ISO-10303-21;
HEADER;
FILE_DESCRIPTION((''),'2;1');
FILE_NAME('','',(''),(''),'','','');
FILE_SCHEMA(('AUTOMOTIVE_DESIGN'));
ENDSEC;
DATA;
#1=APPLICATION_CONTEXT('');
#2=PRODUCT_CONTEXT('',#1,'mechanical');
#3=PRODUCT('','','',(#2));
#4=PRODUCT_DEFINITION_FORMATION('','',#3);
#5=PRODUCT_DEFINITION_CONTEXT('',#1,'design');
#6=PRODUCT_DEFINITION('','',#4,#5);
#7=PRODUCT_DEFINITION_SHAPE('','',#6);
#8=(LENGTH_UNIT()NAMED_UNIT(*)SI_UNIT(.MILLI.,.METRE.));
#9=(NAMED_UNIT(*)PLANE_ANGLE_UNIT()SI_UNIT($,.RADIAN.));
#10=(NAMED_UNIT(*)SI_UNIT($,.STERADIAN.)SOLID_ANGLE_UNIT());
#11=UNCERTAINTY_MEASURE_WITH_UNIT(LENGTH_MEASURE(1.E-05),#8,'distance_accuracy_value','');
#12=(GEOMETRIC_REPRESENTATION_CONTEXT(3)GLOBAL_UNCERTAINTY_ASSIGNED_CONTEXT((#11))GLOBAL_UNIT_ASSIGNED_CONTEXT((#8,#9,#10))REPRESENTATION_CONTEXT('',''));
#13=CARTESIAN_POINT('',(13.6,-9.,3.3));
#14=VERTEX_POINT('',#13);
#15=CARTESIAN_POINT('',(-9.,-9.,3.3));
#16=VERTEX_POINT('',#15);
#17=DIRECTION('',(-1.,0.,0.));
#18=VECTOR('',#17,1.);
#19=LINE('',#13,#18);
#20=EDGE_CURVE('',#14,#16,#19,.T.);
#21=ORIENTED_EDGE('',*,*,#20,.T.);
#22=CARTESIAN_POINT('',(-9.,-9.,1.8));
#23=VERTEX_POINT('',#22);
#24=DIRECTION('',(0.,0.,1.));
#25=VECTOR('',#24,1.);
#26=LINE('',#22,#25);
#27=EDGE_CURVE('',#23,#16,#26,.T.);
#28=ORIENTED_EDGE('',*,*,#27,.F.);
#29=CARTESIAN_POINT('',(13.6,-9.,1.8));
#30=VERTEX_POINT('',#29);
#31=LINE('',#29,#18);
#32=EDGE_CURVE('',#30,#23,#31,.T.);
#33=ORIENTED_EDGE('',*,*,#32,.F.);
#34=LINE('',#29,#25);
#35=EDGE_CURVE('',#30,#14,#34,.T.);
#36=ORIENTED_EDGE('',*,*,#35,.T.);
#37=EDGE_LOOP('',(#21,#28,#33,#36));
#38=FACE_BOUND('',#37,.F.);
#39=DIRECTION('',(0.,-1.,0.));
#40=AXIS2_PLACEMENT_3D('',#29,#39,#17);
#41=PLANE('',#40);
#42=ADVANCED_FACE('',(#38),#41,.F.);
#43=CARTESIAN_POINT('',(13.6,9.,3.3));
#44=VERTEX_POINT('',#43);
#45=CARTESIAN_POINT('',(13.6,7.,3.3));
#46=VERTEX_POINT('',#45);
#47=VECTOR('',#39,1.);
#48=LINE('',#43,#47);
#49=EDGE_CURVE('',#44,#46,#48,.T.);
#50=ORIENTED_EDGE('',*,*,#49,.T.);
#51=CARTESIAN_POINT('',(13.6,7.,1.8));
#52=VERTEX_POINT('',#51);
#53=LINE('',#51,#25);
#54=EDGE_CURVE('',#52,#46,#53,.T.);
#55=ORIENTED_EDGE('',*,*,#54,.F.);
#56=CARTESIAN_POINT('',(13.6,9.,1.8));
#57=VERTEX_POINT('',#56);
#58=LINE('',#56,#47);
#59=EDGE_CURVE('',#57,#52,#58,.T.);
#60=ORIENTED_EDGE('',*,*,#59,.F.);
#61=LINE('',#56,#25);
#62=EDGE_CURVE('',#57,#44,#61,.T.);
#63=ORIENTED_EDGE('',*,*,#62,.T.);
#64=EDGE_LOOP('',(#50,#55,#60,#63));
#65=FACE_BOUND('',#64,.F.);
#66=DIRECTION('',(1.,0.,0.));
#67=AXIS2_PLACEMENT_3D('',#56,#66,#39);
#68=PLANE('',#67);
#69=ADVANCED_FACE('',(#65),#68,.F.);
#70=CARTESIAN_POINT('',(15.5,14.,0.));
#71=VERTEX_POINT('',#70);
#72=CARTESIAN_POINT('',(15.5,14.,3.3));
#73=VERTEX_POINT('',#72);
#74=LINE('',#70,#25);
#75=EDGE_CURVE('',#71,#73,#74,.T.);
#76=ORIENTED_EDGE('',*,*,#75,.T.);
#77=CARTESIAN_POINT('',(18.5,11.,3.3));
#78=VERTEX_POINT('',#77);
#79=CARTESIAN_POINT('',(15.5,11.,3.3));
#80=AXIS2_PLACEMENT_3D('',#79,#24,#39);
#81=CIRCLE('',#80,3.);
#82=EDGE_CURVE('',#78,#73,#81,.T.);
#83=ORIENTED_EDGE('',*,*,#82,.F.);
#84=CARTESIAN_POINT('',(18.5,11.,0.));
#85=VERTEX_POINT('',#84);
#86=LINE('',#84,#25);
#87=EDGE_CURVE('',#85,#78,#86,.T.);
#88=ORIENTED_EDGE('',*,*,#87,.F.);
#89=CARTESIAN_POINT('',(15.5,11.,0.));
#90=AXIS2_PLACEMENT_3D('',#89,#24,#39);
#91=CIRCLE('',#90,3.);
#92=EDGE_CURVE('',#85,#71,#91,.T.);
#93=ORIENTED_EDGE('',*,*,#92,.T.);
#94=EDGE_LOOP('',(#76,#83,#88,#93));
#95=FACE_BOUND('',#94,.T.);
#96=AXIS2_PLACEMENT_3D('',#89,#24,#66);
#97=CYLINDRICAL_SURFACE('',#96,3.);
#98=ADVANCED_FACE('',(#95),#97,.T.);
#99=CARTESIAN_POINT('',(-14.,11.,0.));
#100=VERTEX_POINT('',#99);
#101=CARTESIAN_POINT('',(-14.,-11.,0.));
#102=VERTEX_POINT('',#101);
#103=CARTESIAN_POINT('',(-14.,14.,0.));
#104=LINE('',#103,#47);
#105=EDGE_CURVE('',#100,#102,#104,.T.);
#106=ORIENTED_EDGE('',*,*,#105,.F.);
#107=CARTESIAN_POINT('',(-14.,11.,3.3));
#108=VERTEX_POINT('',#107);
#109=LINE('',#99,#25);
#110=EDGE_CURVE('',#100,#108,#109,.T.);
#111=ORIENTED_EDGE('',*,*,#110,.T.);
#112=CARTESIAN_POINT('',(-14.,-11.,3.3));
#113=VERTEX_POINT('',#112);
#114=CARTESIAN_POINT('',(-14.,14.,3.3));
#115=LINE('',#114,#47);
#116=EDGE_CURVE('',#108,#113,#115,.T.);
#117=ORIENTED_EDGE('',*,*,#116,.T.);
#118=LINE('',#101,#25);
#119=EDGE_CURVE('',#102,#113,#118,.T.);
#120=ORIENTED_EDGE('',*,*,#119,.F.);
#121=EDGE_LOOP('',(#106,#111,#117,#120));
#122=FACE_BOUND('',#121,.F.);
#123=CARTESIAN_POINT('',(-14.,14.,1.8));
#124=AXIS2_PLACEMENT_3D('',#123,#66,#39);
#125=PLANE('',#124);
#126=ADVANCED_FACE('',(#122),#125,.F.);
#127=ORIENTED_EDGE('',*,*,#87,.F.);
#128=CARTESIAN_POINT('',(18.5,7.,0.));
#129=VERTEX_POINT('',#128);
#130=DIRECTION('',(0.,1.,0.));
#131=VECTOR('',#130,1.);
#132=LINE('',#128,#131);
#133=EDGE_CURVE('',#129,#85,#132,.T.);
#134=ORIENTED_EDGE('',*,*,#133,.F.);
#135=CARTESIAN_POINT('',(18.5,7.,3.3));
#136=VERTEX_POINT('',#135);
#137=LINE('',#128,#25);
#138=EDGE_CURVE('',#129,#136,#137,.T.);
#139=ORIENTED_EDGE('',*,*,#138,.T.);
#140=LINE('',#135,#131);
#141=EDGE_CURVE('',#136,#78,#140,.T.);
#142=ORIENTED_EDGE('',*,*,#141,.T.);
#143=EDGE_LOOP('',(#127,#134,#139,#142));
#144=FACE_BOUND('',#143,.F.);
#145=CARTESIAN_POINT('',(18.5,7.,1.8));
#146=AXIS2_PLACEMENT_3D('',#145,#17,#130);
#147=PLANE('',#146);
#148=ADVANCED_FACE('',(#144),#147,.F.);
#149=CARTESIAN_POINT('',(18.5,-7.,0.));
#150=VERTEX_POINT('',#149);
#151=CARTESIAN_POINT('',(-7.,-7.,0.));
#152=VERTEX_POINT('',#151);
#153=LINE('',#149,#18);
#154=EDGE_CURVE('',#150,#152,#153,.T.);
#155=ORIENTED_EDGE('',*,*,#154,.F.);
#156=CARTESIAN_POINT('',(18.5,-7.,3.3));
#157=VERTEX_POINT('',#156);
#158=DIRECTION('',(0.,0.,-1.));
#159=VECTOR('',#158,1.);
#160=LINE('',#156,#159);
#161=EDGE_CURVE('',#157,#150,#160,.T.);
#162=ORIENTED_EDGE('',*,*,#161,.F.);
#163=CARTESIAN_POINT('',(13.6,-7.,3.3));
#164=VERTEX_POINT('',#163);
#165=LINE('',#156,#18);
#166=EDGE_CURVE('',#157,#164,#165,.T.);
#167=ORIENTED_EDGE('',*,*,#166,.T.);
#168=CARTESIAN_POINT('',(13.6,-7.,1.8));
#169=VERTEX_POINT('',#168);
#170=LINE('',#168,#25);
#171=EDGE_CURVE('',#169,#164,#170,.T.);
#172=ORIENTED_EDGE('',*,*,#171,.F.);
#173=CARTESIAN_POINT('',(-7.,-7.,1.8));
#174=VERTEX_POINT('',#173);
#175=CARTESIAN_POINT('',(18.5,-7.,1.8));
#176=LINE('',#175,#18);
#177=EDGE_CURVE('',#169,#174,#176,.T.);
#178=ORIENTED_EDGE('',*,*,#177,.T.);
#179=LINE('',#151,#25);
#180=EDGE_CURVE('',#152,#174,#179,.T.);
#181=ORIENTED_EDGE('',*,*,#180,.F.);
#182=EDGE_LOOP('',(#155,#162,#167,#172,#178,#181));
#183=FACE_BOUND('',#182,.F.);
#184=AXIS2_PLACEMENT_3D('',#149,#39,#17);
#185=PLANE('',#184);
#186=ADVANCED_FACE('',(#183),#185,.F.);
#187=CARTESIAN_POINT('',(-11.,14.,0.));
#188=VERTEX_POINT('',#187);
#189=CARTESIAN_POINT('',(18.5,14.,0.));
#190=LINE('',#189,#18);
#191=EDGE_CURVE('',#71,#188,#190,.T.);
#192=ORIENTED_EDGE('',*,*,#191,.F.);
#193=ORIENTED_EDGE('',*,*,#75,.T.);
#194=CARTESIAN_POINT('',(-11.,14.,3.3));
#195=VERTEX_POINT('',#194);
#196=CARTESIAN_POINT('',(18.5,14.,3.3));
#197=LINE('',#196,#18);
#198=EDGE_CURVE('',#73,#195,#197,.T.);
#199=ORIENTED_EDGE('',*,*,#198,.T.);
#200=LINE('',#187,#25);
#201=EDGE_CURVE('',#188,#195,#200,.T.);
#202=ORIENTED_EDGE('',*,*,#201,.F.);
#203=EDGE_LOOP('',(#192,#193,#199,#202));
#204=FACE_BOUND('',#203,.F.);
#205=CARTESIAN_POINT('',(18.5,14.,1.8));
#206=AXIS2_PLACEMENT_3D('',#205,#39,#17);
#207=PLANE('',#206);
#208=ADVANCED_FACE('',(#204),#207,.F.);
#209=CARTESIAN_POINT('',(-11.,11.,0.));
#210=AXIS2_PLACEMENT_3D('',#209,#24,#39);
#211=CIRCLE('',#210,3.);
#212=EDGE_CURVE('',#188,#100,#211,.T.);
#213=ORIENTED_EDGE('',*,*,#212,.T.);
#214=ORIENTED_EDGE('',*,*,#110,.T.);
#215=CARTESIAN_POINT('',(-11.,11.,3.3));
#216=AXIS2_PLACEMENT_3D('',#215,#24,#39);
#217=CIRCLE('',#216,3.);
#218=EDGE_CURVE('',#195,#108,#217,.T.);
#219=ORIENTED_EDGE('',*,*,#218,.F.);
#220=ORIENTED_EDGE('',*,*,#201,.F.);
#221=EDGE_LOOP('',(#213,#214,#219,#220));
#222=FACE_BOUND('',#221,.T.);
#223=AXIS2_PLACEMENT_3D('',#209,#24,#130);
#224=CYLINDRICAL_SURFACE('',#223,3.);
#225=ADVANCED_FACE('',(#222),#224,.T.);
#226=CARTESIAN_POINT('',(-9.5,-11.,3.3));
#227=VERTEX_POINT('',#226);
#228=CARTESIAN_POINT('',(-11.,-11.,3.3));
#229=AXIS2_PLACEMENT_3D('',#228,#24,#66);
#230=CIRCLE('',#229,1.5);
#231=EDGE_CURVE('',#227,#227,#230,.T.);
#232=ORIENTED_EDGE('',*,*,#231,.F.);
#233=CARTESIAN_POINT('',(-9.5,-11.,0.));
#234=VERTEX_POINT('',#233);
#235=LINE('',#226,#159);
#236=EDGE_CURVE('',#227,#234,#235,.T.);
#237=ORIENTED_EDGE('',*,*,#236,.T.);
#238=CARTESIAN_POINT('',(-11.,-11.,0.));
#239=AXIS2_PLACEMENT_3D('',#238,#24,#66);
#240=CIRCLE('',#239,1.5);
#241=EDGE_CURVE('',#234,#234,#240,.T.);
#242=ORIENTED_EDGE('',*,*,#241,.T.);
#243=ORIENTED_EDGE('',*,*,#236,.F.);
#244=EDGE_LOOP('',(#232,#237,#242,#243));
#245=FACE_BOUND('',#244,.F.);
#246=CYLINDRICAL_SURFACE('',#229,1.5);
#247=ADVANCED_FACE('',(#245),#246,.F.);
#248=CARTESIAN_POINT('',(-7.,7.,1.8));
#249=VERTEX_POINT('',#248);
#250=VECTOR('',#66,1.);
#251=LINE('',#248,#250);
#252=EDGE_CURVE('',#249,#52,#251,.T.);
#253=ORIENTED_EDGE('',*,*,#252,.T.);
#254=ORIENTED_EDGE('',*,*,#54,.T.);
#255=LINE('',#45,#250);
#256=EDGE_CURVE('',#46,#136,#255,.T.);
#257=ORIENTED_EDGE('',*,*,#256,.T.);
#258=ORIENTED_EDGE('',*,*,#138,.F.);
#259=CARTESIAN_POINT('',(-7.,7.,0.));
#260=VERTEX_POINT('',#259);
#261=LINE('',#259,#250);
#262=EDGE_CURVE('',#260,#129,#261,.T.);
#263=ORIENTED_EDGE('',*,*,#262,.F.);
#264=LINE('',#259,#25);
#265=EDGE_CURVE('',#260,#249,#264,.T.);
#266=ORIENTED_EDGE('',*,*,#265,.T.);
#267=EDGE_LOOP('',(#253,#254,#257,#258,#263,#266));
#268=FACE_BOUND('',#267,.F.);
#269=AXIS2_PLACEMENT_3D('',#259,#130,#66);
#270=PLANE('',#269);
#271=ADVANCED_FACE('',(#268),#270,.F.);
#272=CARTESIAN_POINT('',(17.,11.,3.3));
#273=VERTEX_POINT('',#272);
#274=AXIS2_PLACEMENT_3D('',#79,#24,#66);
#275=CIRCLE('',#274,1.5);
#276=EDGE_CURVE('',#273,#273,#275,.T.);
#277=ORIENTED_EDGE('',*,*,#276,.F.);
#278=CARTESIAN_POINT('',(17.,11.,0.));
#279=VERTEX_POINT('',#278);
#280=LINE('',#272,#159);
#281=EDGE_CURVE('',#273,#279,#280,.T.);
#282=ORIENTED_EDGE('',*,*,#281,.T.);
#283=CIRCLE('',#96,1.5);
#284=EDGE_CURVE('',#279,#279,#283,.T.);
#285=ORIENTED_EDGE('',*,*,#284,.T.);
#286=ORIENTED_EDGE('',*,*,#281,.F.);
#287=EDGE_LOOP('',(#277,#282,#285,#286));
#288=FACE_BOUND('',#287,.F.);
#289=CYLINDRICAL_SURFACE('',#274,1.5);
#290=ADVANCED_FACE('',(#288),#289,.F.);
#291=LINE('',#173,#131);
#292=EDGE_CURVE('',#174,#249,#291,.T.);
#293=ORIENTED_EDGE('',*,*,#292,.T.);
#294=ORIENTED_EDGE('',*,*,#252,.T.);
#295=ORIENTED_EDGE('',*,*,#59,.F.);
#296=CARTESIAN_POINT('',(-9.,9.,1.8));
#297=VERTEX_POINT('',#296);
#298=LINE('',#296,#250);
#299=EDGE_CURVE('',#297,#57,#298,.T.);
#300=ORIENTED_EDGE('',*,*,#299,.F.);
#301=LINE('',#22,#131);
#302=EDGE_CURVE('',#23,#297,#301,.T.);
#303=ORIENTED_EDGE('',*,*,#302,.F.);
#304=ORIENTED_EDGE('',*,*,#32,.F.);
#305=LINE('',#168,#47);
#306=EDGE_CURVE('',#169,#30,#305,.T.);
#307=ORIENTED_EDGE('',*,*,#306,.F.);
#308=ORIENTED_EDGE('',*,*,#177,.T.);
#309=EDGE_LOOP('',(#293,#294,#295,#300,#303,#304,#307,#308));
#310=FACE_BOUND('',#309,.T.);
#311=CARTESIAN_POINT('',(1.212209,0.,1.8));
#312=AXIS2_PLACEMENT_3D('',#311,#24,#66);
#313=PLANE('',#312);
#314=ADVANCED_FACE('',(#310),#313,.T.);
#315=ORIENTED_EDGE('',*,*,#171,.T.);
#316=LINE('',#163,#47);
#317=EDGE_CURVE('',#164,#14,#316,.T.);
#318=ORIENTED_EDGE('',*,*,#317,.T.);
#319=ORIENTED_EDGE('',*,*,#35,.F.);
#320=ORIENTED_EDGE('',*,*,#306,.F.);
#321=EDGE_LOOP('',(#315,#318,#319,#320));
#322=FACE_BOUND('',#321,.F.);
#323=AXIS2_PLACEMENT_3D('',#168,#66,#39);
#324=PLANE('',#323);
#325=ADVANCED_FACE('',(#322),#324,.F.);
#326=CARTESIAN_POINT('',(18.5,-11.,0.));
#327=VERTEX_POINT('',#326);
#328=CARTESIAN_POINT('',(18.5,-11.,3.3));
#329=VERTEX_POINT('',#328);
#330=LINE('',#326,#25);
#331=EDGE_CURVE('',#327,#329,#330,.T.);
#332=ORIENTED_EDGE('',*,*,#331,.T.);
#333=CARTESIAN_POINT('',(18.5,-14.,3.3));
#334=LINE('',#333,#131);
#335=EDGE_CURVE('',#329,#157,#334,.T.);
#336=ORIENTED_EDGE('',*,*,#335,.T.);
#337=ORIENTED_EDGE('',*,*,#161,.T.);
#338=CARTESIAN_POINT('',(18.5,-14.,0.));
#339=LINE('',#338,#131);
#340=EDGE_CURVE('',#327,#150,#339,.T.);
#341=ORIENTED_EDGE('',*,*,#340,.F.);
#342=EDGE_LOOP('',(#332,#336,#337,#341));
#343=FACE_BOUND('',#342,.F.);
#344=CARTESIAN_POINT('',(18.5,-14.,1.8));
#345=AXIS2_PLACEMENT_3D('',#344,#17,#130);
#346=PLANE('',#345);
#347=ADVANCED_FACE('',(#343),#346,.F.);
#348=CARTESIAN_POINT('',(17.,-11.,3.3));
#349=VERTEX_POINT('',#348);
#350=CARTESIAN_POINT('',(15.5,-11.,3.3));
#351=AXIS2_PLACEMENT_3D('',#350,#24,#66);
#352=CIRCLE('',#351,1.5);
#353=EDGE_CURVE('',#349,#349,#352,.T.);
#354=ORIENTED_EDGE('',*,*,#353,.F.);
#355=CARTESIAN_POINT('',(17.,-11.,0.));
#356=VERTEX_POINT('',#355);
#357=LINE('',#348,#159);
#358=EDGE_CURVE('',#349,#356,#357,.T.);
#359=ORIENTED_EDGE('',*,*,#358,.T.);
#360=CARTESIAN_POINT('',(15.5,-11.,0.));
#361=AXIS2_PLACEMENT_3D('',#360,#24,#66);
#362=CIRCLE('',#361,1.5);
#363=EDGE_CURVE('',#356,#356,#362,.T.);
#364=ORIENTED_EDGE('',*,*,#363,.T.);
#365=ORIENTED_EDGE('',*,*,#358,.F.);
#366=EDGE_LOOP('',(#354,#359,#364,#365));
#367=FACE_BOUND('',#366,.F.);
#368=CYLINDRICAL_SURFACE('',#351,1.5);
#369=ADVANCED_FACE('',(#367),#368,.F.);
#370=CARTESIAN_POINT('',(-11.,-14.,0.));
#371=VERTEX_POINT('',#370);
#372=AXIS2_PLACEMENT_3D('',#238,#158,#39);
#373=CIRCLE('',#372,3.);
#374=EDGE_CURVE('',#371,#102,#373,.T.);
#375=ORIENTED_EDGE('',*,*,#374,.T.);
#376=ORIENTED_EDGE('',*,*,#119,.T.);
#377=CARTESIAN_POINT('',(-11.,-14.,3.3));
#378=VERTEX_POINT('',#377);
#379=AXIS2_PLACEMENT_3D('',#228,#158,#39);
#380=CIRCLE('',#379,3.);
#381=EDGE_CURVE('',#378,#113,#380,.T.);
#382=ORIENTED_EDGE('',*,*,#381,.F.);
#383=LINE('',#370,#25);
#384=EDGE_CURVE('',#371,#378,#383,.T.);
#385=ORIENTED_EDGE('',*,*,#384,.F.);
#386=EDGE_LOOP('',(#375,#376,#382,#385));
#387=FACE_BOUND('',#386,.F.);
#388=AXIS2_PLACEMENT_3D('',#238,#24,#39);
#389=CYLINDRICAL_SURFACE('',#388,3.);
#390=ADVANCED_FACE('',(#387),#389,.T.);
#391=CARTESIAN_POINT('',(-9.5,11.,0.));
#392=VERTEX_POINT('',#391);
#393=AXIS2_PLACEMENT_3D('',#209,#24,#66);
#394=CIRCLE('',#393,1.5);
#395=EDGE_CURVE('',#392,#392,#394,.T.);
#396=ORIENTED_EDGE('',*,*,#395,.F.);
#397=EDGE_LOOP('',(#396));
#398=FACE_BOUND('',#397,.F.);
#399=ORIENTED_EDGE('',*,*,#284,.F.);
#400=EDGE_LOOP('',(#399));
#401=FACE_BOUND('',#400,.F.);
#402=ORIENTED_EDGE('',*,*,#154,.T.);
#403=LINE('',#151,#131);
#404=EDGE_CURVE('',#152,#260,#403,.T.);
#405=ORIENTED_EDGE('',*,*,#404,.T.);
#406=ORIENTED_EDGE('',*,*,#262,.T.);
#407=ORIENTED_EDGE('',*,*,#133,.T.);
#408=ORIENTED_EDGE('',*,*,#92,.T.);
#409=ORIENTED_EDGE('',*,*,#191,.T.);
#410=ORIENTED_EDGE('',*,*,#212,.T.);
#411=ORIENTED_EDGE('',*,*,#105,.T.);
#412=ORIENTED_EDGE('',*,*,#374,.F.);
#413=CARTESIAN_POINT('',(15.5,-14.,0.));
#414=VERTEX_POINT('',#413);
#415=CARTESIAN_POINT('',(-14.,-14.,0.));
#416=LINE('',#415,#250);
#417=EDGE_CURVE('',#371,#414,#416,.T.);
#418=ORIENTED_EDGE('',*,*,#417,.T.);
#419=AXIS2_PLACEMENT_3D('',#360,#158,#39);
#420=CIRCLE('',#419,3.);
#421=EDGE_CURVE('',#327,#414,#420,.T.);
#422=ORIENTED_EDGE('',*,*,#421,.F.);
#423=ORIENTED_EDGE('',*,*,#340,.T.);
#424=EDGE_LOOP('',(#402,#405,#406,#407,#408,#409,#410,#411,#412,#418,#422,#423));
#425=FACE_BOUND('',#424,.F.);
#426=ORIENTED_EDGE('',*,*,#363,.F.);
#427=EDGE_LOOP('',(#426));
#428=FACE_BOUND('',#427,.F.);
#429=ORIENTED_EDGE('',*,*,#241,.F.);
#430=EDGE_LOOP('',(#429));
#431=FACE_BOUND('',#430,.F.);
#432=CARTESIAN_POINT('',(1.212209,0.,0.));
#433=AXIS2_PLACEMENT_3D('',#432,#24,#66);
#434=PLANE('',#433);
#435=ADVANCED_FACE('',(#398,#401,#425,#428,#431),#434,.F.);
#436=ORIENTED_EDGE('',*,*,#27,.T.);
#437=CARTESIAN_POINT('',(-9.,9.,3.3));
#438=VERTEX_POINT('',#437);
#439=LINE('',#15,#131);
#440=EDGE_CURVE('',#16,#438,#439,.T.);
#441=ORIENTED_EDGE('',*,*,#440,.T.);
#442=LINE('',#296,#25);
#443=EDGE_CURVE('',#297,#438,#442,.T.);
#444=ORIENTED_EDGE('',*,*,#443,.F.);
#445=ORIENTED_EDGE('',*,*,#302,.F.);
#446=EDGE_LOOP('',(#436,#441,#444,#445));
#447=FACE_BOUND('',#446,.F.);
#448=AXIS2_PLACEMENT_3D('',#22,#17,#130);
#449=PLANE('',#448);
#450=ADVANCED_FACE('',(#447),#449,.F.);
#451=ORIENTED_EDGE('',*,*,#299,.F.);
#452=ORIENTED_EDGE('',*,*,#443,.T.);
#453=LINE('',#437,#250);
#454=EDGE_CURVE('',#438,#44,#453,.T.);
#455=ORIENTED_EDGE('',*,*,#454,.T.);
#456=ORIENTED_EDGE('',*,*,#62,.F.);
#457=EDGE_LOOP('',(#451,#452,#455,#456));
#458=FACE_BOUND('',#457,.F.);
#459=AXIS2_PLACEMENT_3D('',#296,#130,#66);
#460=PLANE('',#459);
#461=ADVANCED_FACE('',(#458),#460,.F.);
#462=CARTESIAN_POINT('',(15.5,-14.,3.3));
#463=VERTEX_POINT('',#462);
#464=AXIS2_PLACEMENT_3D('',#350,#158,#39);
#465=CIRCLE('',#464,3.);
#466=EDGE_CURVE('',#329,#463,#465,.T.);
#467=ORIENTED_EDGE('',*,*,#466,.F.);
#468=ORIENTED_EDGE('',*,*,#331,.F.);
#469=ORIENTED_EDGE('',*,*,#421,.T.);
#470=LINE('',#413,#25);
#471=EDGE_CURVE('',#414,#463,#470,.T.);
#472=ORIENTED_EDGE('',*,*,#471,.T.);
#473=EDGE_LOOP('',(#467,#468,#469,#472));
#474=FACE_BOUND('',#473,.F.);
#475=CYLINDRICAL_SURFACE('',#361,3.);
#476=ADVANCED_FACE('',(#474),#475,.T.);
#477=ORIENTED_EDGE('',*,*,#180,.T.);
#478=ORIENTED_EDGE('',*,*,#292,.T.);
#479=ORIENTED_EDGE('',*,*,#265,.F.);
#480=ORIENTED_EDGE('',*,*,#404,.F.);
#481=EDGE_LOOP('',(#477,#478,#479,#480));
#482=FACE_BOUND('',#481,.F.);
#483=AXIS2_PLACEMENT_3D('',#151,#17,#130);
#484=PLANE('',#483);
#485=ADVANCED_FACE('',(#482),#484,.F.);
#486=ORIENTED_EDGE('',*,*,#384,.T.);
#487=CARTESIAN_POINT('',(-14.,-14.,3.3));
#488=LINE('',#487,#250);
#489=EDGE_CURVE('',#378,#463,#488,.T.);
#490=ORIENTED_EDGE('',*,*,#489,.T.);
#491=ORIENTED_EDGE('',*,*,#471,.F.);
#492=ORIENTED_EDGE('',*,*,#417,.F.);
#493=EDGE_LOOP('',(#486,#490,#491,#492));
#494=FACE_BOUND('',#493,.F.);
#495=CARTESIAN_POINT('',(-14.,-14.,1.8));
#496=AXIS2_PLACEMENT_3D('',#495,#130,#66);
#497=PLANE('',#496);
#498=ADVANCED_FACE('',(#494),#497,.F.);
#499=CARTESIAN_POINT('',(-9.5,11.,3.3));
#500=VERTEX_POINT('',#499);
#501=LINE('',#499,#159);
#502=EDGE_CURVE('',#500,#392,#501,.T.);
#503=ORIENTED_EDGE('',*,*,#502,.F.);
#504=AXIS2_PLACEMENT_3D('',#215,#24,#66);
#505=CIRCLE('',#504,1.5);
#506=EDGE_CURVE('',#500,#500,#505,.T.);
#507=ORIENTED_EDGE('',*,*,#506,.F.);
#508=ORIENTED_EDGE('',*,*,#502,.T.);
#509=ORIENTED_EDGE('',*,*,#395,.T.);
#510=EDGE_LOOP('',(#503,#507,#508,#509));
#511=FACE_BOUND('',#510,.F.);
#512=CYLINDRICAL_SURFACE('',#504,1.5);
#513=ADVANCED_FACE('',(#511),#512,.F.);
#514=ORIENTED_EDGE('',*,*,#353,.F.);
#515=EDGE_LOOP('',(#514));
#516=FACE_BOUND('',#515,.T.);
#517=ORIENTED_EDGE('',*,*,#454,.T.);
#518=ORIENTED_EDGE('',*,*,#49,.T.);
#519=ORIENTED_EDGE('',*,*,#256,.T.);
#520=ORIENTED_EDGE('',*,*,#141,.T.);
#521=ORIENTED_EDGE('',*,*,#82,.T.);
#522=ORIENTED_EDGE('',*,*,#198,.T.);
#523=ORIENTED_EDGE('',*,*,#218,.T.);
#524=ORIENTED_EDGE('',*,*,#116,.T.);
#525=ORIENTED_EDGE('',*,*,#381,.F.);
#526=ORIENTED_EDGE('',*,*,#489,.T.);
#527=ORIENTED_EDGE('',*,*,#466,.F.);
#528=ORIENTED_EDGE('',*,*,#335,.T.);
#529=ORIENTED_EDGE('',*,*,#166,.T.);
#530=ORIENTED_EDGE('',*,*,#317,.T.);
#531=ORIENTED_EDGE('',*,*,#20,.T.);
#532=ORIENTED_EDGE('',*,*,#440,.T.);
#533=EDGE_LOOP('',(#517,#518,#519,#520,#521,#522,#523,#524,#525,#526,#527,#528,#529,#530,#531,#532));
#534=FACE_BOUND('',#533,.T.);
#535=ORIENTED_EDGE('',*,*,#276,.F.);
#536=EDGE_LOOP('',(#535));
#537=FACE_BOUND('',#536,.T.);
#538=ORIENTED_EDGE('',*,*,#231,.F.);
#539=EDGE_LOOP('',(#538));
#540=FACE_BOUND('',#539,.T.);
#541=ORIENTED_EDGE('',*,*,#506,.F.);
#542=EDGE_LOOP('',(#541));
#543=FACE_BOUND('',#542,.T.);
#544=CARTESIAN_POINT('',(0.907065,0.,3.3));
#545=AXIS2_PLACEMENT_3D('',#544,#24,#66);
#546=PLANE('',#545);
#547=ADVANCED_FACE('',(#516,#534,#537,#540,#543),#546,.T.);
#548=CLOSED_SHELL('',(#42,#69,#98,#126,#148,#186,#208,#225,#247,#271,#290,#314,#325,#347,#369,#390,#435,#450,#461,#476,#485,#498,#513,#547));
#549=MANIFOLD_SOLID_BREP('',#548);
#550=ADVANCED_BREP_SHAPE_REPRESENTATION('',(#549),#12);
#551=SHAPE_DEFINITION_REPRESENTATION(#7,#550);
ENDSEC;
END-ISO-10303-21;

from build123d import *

# Parameters (mm, degrees)
F1_DEPTH = 1.8
F3_DEPTH = 1.5
F4_R     = 1.5
F5_DEPTH = 3.3
F6_R     = 3


with BuildPart() as f1:
    # F0 (on Top) → F1 (new body)
    with BuildSketch(Plane.XY):
        Polygon((18.5, 14), (-14, 14), (-14, -14), (18.5, -14), (18.5, -7), (-7, -7), (-7, 7), (18.5, 7), align=None)
    extrude(amount=F1_DEPTH)

    # F2 (on face) → F3 (join)
    with BuildSketch(Plane.XY.offset(1.8)):
        Polygon((-9, -9), (-9, 9), (13.6, 9), (13.6, 7), (18.5, 7), (18.5, 14), (-14, 14), (-14, -14), (18.5, -14), (18.5, -7), (13.6, -7), (13.6, -9), align=None)
    extrude(amount=F3_DEPTH)

    # F4 (on face) → F5 (cut, through all)
    with BuildSketch(Plane.XY.offset(3.3)):
        with Locations((-11, 11)):
            Circle(F4_R)
        with Locations((15.5, 11)):
            Circle(F4_R)
        with Locations((15.5, -11)):
            Circle(F4_R)
        with Locations((-11, -11)):
            Circle(F4_R)
    extrude(amount=-F5_DEPTH, mode=Mode.SUBTRACT)

    # F6
    f6_edges = [f1.edges().sort_by_distance(p)[0] for p in [
        (-14, -14, 1.65),
        (18.5, -14, 1.65),
        (18.5, 14, 1.65),
        (-14, 14, 1.65),
    ]]
    fillet(f6_edges, radius=F6_R)


solid = f1.part
